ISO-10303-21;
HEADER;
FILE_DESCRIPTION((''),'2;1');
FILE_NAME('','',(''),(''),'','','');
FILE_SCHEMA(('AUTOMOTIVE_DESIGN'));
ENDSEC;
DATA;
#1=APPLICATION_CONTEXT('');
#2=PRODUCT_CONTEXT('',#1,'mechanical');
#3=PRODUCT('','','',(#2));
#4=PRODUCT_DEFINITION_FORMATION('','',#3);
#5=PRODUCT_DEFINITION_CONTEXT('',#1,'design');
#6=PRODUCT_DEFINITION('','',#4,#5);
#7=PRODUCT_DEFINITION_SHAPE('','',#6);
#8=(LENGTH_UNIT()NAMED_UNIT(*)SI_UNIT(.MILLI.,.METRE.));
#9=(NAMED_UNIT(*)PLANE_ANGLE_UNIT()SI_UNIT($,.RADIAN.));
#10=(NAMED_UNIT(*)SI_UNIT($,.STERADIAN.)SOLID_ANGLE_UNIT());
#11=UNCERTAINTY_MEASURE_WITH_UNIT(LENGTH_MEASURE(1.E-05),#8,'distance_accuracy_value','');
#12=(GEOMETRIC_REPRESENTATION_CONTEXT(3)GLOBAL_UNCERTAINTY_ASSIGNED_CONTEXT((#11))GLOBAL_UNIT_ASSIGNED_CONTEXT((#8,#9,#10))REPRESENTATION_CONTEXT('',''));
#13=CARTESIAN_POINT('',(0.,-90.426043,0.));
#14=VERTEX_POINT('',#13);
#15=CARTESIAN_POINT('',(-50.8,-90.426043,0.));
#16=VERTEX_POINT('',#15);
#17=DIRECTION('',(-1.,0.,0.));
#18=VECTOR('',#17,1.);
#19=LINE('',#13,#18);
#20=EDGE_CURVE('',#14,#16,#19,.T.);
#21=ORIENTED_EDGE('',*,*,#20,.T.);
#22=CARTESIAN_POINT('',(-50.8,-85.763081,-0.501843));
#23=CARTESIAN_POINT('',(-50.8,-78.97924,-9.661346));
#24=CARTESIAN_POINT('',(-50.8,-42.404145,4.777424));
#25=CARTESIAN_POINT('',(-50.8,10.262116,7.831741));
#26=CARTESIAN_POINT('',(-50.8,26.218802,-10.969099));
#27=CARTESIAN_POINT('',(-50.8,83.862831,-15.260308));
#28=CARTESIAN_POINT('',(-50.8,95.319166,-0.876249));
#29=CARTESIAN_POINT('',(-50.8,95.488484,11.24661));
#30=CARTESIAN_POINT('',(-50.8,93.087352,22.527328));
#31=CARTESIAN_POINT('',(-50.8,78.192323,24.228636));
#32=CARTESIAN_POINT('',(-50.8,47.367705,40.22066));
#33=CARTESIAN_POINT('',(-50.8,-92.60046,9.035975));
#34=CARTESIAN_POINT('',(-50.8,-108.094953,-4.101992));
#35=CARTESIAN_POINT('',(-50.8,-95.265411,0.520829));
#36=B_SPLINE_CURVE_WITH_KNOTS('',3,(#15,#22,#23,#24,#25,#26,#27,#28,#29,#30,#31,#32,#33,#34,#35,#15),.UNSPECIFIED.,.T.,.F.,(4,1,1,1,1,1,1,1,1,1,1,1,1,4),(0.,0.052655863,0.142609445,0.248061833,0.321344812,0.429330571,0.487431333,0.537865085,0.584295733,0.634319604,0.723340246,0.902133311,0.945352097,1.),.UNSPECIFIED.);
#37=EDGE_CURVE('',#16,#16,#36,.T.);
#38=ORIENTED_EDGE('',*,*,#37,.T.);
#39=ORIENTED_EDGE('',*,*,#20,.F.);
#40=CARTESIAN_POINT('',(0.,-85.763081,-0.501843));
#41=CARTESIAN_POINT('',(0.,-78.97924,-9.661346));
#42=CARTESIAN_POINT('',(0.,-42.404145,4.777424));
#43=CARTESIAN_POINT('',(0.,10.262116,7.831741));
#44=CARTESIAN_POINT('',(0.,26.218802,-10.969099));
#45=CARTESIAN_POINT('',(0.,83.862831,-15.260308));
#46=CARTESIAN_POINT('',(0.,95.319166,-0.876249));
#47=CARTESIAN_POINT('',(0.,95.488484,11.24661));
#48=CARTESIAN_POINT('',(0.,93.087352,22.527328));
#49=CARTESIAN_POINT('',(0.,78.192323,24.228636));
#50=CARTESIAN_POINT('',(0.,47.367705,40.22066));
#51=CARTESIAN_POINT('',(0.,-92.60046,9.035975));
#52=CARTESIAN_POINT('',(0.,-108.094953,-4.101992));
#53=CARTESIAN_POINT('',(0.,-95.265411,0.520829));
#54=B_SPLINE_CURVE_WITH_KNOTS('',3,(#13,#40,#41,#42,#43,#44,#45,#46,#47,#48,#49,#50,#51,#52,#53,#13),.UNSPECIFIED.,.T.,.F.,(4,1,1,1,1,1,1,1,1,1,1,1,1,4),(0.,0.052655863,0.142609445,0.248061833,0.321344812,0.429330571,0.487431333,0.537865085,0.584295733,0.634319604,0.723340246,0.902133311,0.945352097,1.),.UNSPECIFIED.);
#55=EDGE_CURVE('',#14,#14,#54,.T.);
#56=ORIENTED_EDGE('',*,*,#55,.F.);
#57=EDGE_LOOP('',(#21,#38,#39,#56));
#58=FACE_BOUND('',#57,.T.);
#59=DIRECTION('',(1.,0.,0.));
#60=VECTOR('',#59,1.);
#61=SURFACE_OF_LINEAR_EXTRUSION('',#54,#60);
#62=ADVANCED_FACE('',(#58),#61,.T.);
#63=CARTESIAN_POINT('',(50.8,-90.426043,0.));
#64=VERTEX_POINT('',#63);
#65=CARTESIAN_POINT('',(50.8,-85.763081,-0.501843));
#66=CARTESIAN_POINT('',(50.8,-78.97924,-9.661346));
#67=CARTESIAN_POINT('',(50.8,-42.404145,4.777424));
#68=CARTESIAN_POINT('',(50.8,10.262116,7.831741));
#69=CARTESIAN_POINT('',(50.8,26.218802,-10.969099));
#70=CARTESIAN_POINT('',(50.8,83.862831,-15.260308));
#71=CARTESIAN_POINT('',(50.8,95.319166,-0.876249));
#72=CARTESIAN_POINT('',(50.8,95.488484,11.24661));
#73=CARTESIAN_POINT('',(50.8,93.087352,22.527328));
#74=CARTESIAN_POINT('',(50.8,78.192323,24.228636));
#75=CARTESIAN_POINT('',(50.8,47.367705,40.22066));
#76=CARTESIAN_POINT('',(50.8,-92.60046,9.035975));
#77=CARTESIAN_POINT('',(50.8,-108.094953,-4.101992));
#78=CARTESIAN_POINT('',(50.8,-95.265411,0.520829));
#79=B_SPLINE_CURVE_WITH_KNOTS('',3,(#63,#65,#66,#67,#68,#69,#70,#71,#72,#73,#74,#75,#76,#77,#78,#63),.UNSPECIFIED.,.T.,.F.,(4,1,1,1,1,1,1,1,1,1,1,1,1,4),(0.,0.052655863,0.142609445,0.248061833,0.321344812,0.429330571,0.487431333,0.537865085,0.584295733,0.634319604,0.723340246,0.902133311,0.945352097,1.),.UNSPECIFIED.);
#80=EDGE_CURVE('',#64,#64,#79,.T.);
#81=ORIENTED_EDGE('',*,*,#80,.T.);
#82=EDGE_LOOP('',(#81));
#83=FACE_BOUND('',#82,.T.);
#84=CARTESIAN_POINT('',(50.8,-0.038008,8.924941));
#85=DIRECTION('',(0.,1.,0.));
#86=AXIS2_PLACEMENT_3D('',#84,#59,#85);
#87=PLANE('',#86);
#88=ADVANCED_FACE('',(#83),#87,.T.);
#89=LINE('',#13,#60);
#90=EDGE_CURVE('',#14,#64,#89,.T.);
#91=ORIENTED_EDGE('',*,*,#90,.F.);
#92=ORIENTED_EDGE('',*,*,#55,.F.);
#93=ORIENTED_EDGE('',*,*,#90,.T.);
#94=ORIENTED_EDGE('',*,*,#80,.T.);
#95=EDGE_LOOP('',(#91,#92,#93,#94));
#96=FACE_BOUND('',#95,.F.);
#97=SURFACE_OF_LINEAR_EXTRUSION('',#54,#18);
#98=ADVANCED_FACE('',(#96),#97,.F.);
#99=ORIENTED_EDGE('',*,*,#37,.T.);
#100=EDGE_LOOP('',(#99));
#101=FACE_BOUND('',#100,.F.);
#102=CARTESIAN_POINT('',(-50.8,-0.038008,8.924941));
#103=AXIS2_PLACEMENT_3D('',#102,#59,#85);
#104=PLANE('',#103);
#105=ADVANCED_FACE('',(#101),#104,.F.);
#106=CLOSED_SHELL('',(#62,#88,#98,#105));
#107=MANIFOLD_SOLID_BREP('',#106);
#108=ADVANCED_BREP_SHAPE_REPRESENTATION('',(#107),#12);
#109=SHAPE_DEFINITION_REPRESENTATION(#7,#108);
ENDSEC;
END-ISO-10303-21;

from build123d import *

# Parameters (mm, degrees)
F1_DEPTH = 50.8
F2_DEPTH = 50.8


with BuildPart() as f1:
    # F0 (on Right) → F1 (new body)
    with BuildSketch(Plane.YZ):
        with BuildLine():
            add(Edge.make_bspline(
                [(-90.426042676, 0), (-85.7630807823, -0.5018434314), (-78.9792398365, -9.661346413), (-42.4041453882, 4.7774241656), (10.262116147, 7.831740562), (26.2188018702, -10.969098557), (83.8628307626, -15.2603084117), (95.3191659021, -0.8762494829), (95.4884839629, 11.2466095705), (93.0873518487, 22.5273277484), (78.1923226184, 24.2286357883), (47.367705408, 40.2206603729), (-92.60046038, 9.0359747184), (-108.0949527662, -4.1019920918), (-95.2654105297, 0.5208288262), (-90.426042676, 0)],
                knots=[0, 0, 0, 0, 0.0526558629, 0.1426094449, 0.2480618332, 0.321344812, 0.4293305707, 0.4874313331, 0.5378650848, 0.5842957326, 0.6343196035, 0.7233402459, 0.9021333114, 0.9453520968, 1, 1, 1, 1], degree=3))
        make_face()
    extrude(amount=F1_DEPTH)

    # F0 (on Right) → F2 (join)
    with BuildSketch(Plane.YZ):
        with BuildLine():
            add(Edge.make_bspline(
                [(-90.426042676, 0), (-85.7630807823, -0.5018434314), (-78.9792398365, -9.661346413), (-42.4041453882, 4.7774241656), (10.262116147, 7.831740562), (26.2188018702, -10.969098557), (83.8628307626, -15.2603084117), (95.3191659021, -0.8762494829), (95.4884839629, 11.2466095705), (93.0873518487, 22.5273277484), (78.1923226184, 24.2286357883), (47.367705408, 40.2206603729), (-92.60046038, 9.0359747184), (-108.0949527662, -4.1019920918), (-95.2654105297, 0.5208288262), (-90.426042676, 0)],
                knots=[0, 0, 0, 0, 0.0526558629, 0.1426094449, 0.2480618332, 0.321344812, 0.4293305707, 0.4874313331, 0.5378650848, 0.5842957326, 0.6343196035, 0.7233402459, 0.9021333114, 0.9453520968, 1, 1, 1, 1], degree=3))
        make_face()
    extrude(amount=-F2_DEPTH)


solid = f1.part
